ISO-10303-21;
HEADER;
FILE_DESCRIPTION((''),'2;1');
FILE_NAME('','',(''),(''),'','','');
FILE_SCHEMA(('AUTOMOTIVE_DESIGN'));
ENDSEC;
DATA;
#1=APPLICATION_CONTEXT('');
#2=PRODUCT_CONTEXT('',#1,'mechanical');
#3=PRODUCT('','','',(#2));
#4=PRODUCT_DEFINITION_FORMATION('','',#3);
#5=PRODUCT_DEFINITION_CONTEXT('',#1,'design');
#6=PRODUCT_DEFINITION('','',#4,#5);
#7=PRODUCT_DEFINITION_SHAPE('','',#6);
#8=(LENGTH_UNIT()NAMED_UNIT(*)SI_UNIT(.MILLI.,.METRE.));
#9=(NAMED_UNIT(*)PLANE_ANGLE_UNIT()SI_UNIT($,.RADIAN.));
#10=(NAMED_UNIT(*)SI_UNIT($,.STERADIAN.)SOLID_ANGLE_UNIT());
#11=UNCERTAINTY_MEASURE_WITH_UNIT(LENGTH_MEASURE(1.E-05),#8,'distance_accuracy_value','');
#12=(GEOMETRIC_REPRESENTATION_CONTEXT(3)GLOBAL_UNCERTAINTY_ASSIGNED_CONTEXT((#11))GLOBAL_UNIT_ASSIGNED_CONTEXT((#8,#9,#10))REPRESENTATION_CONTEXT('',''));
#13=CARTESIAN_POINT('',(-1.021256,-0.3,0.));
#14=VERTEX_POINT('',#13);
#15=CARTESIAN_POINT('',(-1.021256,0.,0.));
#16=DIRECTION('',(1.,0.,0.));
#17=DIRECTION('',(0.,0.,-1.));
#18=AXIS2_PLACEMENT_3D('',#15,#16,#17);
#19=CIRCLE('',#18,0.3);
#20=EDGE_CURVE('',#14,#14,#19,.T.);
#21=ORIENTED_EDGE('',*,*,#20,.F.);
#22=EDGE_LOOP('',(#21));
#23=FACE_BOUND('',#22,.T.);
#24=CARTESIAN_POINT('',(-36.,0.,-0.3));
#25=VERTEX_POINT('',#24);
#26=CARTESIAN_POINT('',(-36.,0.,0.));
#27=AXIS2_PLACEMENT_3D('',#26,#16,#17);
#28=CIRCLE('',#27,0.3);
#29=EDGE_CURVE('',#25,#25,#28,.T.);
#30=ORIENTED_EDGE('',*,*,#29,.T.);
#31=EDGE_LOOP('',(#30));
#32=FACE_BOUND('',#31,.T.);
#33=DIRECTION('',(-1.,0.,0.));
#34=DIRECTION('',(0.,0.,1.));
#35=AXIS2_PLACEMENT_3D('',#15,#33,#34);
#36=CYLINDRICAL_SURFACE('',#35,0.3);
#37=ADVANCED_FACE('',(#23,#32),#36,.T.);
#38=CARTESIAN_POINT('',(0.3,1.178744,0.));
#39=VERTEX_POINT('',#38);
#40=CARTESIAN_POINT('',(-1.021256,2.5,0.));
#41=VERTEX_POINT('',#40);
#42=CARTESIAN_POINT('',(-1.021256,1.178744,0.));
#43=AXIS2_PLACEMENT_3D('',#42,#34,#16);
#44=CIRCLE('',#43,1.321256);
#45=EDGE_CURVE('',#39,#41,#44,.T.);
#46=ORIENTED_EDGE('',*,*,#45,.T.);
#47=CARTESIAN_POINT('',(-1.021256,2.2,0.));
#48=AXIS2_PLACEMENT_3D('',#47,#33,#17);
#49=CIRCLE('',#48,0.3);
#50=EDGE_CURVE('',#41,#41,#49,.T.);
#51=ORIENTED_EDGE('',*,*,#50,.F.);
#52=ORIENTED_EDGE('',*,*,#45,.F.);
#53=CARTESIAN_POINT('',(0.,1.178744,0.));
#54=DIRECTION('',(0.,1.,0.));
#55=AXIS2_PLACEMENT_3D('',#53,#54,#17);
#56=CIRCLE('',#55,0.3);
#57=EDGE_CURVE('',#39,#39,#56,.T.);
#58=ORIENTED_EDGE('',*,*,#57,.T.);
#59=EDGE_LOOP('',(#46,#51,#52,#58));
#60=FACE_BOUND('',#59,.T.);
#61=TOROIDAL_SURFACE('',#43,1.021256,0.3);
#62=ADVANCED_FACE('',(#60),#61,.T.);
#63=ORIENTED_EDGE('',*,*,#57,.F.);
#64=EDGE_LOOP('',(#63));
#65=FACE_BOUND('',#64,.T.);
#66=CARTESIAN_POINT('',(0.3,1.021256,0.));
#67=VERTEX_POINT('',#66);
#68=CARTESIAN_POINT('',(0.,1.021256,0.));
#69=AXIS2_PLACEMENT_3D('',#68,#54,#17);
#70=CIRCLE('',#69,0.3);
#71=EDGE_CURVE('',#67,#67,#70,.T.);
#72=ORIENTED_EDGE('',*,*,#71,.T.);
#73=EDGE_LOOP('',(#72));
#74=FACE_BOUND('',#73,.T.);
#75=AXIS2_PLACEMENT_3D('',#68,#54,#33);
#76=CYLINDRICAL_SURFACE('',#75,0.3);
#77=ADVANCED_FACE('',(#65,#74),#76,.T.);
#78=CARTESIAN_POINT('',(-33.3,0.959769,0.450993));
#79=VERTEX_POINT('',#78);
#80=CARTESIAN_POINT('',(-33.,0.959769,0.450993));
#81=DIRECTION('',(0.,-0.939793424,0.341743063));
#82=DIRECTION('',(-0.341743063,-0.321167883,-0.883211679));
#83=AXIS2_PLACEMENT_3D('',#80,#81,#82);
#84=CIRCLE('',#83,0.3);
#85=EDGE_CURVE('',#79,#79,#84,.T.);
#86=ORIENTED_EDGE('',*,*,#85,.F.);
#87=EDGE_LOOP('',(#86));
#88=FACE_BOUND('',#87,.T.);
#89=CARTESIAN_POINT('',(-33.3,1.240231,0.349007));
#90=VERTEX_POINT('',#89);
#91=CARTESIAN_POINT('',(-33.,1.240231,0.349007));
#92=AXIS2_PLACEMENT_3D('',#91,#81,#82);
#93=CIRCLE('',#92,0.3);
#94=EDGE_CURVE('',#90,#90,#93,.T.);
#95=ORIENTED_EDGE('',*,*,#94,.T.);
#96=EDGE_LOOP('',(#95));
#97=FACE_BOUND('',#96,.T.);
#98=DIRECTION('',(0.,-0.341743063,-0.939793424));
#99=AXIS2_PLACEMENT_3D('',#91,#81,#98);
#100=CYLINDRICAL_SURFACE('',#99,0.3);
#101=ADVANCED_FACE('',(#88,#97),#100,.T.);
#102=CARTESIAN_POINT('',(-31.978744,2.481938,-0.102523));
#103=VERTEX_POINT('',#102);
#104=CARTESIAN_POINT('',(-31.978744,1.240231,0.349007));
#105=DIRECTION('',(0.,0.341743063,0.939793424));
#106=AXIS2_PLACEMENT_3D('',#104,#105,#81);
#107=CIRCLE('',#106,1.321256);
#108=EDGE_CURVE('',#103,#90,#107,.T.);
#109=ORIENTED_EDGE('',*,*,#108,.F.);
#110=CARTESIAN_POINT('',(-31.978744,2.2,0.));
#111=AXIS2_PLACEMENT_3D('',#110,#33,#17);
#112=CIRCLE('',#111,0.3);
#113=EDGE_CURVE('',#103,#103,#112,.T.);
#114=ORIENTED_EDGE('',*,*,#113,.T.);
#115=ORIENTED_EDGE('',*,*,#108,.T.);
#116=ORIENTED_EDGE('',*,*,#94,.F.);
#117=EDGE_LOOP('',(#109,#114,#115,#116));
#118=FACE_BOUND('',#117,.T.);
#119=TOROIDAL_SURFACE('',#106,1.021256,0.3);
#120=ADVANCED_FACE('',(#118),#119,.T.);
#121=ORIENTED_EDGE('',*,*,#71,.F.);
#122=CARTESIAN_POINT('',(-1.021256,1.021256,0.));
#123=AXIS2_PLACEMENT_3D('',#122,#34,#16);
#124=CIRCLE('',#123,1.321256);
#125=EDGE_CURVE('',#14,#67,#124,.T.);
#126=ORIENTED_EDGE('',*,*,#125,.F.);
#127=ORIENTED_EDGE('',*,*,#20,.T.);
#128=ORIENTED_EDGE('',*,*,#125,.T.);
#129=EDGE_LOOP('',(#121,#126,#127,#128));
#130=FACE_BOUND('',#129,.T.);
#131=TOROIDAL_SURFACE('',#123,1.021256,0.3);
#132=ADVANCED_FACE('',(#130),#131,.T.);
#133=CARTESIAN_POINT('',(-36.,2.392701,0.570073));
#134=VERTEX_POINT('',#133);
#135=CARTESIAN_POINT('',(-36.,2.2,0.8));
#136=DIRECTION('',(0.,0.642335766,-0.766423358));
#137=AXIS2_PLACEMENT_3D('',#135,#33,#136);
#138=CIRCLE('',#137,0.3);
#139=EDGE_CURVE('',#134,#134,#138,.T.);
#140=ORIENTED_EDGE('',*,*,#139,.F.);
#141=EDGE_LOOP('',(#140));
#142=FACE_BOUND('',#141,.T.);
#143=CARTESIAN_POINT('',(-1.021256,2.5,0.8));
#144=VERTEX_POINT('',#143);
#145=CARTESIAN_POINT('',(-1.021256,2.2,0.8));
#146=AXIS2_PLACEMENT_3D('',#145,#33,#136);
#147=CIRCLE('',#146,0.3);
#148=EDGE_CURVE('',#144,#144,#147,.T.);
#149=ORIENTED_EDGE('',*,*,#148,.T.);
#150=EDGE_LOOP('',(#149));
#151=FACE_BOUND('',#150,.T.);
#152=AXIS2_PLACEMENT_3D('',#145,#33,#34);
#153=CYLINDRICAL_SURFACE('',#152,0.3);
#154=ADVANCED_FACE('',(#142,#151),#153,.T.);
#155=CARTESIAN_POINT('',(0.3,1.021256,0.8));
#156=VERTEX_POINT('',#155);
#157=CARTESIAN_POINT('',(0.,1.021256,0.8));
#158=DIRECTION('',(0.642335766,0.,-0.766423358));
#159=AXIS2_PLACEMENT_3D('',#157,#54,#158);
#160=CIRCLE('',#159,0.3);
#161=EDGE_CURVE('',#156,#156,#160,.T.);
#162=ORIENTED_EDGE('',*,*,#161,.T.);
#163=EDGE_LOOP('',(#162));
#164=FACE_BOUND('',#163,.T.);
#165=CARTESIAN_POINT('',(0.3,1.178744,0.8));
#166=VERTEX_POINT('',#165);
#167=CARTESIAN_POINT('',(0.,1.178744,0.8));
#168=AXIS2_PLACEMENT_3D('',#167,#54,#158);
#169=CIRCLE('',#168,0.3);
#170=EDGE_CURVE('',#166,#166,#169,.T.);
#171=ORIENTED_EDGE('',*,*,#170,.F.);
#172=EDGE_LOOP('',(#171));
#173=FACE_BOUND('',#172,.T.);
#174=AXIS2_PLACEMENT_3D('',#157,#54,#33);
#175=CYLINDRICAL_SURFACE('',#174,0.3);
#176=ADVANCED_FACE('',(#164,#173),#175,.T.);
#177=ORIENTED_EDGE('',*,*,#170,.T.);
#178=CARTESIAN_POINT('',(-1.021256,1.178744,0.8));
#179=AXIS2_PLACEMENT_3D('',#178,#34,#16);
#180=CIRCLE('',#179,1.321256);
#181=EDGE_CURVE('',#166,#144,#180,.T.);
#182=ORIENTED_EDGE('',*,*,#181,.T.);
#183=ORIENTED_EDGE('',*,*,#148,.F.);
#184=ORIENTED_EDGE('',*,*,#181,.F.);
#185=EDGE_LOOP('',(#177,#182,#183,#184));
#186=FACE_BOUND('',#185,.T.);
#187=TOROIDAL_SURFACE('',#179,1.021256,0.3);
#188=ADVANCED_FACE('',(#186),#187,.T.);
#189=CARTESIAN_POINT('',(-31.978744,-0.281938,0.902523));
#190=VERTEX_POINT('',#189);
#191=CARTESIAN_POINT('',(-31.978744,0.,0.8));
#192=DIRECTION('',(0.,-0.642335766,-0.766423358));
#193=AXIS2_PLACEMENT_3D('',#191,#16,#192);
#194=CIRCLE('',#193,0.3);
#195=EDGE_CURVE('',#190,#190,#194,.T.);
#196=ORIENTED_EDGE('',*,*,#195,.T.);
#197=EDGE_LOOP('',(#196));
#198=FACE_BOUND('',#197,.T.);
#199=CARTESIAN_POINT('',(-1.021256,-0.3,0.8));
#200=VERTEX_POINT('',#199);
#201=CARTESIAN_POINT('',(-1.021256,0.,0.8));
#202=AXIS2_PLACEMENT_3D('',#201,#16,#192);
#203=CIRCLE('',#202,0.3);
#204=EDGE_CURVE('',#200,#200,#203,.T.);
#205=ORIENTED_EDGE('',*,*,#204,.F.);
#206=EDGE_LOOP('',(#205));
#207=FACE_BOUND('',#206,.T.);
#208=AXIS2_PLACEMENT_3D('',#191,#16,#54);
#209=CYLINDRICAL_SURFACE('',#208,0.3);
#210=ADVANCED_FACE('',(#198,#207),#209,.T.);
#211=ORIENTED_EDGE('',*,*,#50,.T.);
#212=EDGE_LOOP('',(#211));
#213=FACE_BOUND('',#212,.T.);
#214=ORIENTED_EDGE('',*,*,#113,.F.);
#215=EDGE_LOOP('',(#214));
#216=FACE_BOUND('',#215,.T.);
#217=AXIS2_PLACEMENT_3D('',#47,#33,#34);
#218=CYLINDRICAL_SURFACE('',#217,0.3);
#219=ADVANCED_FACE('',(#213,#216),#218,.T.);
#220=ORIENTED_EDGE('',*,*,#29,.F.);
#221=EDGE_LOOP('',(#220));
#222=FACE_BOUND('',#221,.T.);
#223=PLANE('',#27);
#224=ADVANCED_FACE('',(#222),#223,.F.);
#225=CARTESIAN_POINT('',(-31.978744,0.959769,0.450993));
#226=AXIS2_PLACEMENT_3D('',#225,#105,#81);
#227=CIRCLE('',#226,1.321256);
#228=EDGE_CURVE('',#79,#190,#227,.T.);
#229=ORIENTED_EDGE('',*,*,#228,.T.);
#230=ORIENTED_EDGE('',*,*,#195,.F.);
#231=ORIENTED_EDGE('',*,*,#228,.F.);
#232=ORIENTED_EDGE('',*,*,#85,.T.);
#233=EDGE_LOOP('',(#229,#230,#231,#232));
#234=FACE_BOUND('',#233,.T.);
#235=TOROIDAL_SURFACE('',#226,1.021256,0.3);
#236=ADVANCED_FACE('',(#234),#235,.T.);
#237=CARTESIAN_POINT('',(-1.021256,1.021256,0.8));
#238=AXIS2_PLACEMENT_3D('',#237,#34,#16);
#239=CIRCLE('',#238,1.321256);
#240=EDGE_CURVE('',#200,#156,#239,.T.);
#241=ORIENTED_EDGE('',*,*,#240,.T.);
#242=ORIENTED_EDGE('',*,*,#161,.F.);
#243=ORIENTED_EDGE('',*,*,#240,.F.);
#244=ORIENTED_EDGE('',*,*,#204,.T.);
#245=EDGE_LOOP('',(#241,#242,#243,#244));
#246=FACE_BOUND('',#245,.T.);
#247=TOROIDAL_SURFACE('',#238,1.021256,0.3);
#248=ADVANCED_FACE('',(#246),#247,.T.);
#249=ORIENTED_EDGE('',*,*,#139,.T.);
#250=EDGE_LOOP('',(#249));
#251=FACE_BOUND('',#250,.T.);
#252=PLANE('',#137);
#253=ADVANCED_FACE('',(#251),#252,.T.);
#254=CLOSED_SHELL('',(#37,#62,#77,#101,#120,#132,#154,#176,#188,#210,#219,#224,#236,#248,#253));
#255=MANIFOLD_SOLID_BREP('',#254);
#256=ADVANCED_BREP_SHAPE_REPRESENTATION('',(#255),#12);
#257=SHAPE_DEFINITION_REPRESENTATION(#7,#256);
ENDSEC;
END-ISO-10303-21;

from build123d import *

# Parameters (mm, degrees)
SKETCH5_R = 0.3


with BuildPart() as part:
    # Sweep4: sweep along a curve in space
    with BuildLine() as sweep4_path:
        Line((-36, 0, 0), (-1.021255708, 0, 0))
        ThreePointArc((-1.021255708, 0, 0), (-0.299118872, 0.299118872, 0), (0, 1.021255708, 0))
        Line((0, 1.021255708, 0), (0, 1.178744292, 0))
        ThreePointArc((-1.021255708, 2.2, 0), (-0.299118872, 1.900881128, 0), (0, 1.178744292, 0))
        Line((-1.021255708, 2.2, 0), (-31.978744292, 2.2, 0))
        ThreePointArc((-31.978744292, 2.2, 0), (-32.700881128, 1.918890052, 0.102221799), (-33, 1.240230602, 0.349007054))
        Line((-33, 1.240230602, 0.349007054), (-33, 0.959769398, 0.450992946))
        ThreePointArc((-33, 0.959769398, 0.450992946), (-32.700881128, 0.281109948, 0.6977782), (-31.978744292, 0, 0.8))
        Line((-31.978744292, 0, 0.8), (-1.021255708, 0, 0.8))
        ThreePointArc((-1.021255708, 0, 0.8), (-0.299118872, 0.299118872, 0.8), (0, 1.021255708, 0.8))
        Line((0, 1.021255708, 0.8), (0, 1.178744292, 0.8))
        ThreePointArc((0, 1.178744292, 0.8), (-0.299118872, 1.900881128, 0.8), (-1.021255708, 2.2, 0.8))
        Line((-1.021255708, 2.2, 0.8), (-36, 2.2, 0.8))
    # Sketch5 → Sweep4 (sweep)
    with BuildSketch(Plane(origin=(-36, 0, 0), x_dir=(0, 0, -1), z_dir=(1, 0, 0))):
        Circle(SKETCH5_R)
    sweep(path=sweep4_path.line)


solid = part.part
